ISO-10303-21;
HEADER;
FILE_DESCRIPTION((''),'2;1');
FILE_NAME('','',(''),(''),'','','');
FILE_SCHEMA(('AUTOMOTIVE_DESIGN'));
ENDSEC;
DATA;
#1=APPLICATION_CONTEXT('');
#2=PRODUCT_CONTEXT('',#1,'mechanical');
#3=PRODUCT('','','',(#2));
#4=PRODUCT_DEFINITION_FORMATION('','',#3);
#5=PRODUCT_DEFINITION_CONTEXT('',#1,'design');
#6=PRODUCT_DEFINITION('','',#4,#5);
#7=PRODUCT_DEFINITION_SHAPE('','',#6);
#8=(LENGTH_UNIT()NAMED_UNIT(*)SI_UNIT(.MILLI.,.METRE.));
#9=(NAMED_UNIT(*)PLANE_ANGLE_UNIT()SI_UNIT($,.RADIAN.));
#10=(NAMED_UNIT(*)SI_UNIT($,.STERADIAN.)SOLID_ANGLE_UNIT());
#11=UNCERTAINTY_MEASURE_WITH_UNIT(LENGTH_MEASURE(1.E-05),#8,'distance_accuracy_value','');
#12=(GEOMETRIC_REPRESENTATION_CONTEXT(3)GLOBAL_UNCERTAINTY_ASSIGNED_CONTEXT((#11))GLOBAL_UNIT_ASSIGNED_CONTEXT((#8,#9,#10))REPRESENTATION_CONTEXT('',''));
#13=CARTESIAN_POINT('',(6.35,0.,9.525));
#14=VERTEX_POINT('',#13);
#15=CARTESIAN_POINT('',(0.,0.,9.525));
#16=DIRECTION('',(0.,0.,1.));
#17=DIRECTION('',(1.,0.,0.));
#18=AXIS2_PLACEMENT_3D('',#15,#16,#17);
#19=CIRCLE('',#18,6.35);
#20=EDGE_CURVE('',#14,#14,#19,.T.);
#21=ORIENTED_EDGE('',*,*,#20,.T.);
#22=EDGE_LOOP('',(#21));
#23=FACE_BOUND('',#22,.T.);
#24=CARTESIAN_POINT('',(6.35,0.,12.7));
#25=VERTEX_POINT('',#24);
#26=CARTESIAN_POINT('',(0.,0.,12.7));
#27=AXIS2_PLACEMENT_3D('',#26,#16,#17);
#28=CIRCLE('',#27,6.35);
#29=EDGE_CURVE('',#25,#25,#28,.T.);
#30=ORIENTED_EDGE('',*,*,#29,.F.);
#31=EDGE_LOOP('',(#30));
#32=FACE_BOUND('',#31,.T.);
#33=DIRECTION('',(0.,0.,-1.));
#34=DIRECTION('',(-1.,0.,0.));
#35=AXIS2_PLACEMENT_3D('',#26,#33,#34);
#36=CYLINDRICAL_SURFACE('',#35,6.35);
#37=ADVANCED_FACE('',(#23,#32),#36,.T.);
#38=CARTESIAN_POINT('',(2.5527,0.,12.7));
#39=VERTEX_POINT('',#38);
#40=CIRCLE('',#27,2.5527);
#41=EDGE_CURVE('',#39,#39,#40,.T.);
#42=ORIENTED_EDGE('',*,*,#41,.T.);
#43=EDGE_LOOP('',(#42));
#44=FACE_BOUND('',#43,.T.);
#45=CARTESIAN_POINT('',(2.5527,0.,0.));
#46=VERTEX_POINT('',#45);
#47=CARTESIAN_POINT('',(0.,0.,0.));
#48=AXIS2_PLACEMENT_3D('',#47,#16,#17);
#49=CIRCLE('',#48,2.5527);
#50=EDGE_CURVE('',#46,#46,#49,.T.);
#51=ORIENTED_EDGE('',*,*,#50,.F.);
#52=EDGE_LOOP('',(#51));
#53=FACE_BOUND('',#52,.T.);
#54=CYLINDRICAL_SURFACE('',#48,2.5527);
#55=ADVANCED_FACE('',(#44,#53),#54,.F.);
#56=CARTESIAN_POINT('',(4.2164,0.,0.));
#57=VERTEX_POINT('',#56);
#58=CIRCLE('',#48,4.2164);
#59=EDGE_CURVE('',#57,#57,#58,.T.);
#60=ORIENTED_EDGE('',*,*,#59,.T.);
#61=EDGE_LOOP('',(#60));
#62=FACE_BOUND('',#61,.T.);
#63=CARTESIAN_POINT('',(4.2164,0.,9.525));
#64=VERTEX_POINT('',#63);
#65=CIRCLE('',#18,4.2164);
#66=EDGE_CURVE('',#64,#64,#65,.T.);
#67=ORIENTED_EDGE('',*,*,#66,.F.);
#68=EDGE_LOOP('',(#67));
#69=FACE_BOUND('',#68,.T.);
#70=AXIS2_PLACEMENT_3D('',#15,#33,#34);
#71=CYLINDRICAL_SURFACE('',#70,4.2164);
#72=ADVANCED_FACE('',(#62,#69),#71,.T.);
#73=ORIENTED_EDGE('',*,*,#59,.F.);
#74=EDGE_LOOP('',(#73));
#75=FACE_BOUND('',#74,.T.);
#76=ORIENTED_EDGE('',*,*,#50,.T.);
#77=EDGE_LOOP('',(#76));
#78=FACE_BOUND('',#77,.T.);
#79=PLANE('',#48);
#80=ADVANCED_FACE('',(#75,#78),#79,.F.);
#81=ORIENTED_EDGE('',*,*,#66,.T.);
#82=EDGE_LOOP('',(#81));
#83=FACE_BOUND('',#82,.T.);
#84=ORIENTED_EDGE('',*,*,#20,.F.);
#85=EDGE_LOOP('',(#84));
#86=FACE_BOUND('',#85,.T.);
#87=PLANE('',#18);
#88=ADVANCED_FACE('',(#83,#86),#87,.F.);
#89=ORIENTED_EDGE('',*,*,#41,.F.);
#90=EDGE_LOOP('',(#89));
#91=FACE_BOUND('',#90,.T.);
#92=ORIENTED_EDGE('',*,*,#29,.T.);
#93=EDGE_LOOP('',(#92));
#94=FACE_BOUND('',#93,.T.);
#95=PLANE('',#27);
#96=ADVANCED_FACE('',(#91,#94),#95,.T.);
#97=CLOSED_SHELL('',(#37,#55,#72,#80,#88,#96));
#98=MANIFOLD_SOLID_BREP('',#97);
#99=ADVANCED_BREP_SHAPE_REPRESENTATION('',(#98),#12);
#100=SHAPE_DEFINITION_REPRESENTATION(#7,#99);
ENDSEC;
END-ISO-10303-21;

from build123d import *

# Parameters (mm, degrees)
SKETCH1_R           = 4.2164
BOSS_EXTRUDE1_DEPTH = 9.525
SKETCH2_R           = 6.35
BOSS_EXTRUDE2_DEPTH = 3.175
SKETCH3_R           = 2.5527
CUT_EXTRUDE1_DEPTH  = 13.7


with BuildPart() as part:
    # Sketch1 → Boss-Extrude1 (new body)
    with BuildSketch(Plane.XY):
        Circle(SKETCH1_R)
    extrude(amount=BOSS_EXTRUDE1_DEPTH)

    # Sketch2 → Boss-Extrude2 (add)
    with BuildSketch(Plane.XY.offset(9.525)):
        Circle(SKETCH2_R)
    extrude(amount=BOSS_EXTRUDE2_DEPTH)

    # Sketch3 → Cut-Extrude1 (cut, through all)
    with BuildSketch(Plane.XY.offset(12.7)):
        Circle(SKETCH3_R)
    extrude(amount=-CUT_EXTRUDE1_DEPTH, mode=Mode.SUBTRACT)


solid = part.part
